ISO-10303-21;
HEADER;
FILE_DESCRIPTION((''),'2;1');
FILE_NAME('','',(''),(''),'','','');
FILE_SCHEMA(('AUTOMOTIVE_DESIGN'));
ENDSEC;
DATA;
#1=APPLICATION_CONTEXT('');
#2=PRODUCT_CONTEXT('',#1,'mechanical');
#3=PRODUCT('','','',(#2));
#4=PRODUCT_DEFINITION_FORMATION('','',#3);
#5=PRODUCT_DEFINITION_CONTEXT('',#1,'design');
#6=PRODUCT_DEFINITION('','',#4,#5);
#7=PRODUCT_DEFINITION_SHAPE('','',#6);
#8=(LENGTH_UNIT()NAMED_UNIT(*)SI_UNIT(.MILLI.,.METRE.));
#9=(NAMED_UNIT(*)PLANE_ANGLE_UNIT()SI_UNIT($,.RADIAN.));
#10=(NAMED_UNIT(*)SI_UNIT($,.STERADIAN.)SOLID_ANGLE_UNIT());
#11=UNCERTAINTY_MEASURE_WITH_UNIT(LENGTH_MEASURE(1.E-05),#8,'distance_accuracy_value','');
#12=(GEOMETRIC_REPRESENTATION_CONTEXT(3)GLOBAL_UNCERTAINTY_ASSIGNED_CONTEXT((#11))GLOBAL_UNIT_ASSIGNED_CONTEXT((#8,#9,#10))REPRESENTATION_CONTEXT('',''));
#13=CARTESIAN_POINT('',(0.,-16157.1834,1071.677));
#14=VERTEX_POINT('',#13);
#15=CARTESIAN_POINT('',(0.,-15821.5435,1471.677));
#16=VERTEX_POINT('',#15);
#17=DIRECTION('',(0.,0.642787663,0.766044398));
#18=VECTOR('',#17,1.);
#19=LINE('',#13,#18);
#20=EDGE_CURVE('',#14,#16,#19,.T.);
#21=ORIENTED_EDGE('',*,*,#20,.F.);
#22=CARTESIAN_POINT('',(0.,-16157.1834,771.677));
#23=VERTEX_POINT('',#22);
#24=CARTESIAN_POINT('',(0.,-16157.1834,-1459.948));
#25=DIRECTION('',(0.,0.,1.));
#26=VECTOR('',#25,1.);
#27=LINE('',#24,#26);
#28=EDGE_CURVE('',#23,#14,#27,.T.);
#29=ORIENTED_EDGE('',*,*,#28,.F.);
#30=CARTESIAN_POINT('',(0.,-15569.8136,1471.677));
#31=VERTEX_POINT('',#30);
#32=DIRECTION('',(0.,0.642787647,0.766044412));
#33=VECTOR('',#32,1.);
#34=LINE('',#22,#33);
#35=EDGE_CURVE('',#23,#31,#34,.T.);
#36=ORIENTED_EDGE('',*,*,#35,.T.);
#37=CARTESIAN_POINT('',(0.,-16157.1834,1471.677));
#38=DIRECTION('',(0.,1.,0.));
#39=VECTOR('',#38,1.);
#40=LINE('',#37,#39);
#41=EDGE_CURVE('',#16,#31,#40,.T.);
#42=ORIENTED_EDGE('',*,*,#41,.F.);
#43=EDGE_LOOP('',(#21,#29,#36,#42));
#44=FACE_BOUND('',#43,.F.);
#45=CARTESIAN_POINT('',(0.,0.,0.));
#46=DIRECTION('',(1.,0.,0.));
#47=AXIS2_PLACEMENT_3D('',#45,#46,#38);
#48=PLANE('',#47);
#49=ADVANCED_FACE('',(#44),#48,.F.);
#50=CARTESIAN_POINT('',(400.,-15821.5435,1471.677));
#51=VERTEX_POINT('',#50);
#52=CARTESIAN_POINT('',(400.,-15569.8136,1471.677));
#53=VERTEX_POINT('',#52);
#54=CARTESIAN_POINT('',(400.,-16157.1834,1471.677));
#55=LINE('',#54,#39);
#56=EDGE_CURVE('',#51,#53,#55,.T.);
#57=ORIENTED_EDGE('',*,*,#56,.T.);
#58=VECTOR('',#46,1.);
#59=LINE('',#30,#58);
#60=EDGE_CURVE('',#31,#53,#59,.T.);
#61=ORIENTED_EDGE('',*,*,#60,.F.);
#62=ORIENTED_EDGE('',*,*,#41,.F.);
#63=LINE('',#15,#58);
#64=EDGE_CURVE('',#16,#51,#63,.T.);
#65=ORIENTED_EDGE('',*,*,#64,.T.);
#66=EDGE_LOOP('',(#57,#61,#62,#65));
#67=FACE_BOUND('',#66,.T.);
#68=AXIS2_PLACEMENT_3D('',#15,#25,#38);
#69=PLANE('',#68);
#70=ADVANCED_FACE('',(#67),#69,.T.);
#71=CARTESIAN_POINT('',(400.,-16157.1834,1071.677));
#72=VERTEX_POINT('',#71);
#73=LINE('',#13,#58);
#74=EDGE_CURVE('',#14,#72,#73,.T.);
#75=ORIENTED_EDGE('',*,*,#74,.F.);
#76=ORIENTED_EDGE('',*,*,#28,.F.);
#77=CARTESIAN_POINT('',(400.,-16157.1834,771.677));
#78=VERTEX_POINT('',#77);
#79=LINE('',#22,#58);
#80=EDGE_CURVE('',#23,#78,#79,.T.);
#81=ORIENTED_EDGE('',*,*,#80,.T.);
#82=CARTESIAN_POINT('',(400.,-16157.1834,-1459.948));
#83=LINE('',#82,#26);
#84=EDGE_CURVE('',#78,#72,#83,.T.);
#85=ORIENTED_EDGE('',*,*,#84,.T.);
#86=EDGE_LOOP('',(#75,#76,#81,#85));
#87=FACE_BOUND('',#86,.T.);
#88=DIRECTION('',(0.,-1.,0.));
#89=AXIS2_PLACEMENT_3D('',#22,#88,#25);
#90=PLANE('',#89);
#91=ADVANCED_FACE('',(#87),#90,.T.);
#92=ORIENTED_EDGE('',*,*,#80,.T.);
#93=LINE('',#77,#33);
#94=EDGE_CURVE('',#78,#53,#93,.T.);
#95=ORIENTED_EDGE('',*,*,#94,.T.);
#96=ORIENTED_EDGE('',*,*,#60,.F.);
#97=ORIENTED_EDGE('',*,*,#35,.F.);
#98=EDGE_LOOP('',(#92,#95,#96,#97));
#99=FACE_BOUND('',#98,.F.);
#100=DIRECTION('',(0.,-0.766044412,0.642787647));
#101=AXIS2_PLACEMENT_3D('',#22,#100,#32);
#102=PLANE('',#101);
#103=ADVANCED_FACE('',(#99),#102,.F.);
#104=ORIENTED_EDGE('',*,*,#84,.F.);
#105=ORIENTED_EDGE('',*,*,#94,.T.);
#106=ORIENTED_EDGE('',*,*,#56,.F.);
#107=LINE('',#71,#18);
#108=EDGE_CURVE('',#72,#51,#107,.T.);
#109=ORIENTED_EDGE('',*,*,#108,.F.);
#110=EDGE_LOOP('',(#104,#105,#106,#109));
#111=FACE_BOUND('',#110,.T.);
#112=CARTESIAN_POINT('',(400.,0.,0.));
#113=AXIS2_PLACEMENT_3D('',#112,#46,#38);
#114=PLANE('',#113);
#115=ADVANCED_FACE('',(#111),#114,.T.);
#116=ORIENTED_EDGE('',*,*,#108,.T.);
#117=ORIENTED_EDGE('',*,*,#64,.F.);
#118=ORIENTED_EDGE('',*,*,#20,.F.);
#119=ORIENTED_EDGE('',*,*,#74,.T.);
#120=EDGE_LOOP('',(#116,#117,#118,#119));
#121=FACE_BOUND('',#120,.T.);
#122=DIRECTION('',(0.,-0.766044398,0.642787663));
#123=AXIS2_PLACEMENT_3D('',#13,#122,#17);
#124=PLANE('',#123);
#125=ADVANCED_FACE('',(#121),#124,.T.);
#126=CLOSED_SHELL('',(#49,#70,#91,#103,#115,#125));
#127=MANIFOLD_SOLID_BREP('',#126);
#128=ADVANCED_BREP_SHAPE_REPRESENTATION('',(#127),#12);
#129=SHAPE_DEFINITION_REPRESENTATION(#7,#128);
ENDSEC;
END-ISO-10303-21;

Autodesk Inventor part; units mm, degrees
ref_plane "YZ Plane" through (0, 0, 0) normal (1, 0, 0) x (0, 1, 0)
ref_plane "XZ Plane" through (0, 0, 0) normal (0, 1, 0) x (-1, 0, 0)
ref_plane "XY Plane" through (0, 0, 0) normal (0, 0, 1) x (1, 0, 0)
sketch "Sketch1" plane through (0, 0, 0) normal (1, 0, 0) x (0, 1, 0)
  line L0 (-16157.1834, -1459.948) -> (-16157.1834, 1071.677)
  line L1 (-16157.1834, 1471.677) -> (-16157.1834, 1071.677)
  line L2 (-16157.1834, 1471.677) -> (-14157.1834, 1471.677)
  line L3 (-16157.1834, 1071.677) -> (-16157.1834, 771.677)
  line L4 (-16157.1834, 1071.677) -> (-15821.5435, 1471.677)
  line L5 (-16157.1834, 1071.677) -> (-15635.0204, 1071.677) construction
  line L6 (-16157.1834, 771.677) -> (-15569.8136, 1471.677)
  line L7 (-16157.1834, 771.677) -> (-15243.3983, 771.677) construction
  point P0 (0, 0)
  dimension "d2" = 300
  dimension "d11" = 50
  dimension "d12" = 50
extrude "Extrusion3" add sketch "Sketch1" along normal blind 400 contours L0 L4 L2 L6
properties part number "frame_rib_01" material "Wood (Maple)"
